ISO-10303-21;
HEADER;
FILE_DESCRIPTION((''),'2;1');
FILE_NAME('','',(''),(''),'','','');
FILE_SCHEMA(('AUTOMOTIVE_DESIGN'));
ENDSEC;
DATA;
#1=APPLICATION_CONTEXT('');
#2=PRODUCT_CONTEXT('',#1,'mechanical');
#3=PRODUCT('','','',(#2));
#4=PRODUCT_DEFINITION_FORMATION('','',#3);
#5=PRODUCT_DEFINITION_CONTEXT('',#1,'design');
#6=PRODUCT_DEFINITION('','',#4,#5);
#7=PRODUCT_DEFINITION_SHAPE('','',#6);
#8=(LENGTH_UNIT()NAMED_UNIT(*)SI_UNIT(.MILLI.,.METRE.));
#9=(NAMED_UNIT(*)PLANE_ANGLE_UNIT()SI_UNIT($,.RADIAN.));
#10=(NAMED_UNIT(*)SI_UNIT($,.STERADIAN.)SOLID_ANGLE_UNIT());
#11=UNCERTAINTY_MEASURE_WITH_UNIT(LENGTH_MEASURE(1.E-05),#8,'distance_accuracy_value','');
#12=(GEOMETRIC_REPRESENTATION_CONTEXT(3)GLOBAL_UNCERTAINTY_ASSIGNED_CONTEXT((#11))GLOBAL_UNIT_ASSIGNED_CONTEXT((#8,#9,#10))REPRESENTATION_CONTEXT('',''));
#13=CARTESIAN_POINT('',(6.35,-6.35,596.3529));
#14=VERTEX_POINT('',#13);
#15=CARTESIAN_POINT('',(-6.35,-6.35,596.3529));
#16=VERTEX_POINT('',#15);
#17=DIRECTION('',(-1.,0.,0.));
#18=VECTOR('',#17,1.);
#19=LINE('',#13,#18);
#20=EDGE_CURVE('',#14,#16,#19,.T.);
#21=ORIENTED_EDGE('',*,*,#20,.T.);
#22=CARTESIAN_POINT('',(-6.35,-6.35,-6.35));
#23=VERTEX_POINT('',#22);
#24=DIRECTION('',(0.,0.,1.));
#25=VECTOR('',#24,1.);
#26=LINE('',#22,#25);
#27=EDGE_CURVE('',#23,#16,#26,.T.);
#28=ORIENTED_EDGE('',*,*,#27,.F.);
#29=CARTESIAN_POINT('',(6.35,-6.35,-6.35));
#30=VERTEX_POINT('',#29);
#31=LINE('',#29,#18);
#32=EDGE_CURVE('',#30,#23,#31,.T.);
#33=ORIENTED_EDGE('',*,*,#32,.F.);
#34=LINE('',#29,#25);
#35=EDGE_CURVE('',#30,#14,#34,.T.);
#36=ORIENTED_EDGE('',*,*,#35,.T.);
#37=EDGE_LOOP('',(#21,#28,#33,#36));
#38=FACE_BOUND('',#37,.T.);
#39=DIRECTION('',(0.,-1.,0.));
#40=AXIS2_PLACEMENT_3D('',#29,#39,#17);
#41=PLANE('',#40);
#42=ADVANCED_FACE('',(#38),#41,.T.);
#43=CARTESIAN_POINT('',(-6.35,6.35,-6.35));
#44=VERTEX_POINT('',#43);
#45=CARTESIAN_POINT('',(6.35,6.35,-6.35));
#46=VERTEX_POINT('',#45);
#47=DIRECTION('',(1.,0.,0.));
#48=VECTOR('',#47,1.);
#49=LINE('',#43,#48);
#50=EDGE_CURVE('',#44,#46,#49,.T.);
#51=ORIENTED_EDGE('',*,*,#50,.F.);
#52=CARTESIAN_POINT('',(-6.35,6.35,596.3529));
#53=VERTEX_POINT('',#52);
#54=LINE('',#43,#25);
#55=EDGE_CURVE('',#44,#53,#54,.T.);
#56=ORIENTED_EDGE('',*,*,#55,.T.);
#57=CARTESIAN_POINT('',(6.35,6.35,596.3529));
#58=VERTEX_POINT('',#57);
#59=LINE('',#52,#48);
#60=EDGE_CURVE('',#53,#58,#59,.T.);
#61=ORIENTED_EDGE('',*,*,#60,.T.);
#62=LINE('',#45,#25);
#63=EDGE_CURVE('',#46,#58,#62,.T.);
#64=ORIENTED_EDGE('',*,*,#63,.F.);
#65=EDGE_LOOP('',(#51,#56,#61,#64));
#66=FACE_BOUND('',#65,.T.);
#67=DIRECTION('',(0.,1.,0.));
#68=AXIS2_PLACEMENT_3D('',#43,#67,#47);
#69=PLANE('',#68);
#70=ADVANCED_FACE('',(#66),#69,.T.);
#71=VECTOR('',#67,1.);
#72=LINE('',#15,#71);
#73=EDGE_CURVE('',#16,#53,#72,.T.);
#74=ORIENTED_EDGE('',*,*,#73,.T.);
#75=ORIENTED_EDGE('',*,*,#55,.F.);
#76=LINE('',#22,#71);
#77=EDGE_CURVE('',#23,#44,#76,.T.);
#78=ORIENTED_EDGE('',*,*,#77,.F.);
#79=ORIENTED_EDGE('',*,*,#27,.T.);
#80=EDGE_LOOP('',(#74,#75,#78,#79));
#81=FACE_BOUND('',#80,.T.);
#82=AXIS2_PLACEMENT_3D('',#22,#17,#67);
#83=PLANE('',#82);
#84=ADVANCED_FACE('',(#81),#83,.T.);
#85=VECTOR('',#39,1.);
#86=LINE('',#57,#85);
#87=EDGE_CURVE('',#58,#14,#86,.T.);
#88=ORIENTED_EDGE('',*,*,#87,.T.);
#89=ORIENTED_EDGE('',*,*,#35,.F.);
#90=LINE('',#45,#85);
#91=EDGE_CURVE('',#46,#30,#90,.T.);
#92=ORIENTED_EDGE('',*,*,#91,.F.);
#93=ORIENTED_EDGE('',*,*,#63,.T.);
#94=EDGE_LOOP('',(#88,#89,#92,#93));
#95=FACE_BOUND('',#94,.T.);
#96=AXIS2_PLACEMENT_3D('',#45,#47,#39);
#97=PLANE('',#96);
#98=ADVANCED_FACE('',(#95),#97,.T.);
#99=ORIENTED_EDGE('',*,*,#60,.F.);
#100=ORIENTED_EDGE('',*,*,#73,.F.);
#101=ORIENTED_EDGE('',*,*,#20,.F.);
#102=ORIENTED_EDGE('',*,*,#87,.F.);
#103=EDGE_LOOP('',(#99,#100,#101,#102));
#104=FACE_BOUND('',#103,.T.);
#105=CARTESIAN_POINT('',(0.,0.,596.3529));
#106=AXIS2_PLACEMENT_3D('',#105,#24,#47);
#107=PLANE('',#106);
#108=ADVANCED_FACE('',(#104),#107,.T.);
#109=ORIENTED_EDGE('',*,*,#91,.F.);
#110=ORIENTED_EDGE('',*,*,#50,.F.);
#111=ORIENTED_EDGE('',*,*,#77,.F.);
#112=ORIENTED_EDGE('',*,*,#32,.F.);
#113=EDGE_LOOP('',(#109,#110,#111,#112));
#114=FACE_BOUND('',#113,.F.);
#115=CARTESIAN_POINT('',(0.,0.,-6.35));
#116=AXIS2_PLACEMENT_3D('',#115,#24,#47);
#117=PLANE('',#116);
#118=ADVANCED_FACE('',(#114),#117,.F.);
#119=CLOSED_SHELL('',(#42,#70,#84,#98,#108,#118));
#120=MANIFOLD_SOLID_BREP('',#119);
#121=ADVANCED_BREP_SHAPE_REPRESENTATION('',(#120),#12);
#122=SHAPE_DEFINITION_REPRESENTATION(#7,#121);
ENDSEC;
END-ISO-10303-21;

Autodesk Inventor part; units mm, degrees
ref_plane "Start plane" through (0, 0, -6.35) normal (0, 0, 1) x (1, 0, 0)
ref_plane "End plane" through (0, 0, 596.3529) normal (0, 0, 1) x (1, 0, 0)
sketch "Sketch" plane through (0, 0, 0) normal (0, 0, 1) x (1, 0, 0)
  line L0 (6.35, -6.35) -> (-6.35, -6.35)
  line L1 (-6.35, -6.35) -> (-6.35, 6.35)
  line L2 (-6.35, 6.35) -> (6.35, 6.35)
  line L3 (6.35, 6.35) -> (6.35, -6.35)
  line L4 (-6, 0) -> (8, 0) construction
  line L5 (0, -30) -> (0, 40) construction
  line L6 (0, 54) -> (0, -44) construction
  line L7 (-9.62, 0) -> (13.27, 0) construction
  dimension "d0" = 12.7
  dimension "d1" = 12.7
  dimension "d4" = 6.35
  dimension "d5" = 6.35
extrude "Body" add sketch "Sketch" along normal up to surface (602.7029 mm away) from surface at -6.35
sketch "Sketch3" plane through (0, 0, 0) normal (0, 0, 1) x (1, 0, 0)
  line L0 (0, 0) -> (10, 0)
ref_plane "Work Plane3" through (0, 0, 0) normal (0, -1, 0) x (1, 0, 0)
sketch "Sketch4" plane through (0, 0, 0) normal (0, -1, 0) x (1, 0, 0)
  line L0 (-2, -6.35) -> (12, -6.35)
  line L1 (-2, 596.3529) -> (12, 596.3529)
  dimension "d9" = 602.7029
ref_plane "Work Plane6" through (0, 6.35, 596.3529) normal (0, 0, 1) x (1, 0, 0)
split "Split3" plane through (0, 6.35, 596.3529) removes the side toward (0, 0, 1)
ref_plane "Work Plane7" through (0, 0, -6.35) normal (0, 0, -1) x (-1, 0, 0)
split "Split4" plane through (0, 0, -6.35) removes the side toward (0, 0, -1)
ref_plane "Work Plane8" through (0, 121.7202, -6.35) normal (0, 0, -1) x (-1, 0, 0)
split "Split5" plane through (0, 121.7202, -6.35) removes the side toward (0, 0, -1)
equation "\"d0\" = G_W"
equation "\"d1\" = G_H"
equation "\"d4\" = 0.5 * d1"
equation "\"d5\" = 0.5 * d0"
equation "\"d2\" = G_L"
equation "\"G_W\" = 12.7"
equation "\"G_H\" = 12.7"
equation "\"G_L\" = d9"
equation "\"G_OFFSET_START\" = 6.35"
equation "\"G_OFFSET_END\" = 6.35"
equation "\"d6\" = -G_OFFSET_START"
equation "\"d7\" = G_OFFSET_END + B_L"
equation "\"B_L\" = 590.00286"
properties part number "AISC - 1/2x1/2 - 23.728" material "Steel, Alloy"
